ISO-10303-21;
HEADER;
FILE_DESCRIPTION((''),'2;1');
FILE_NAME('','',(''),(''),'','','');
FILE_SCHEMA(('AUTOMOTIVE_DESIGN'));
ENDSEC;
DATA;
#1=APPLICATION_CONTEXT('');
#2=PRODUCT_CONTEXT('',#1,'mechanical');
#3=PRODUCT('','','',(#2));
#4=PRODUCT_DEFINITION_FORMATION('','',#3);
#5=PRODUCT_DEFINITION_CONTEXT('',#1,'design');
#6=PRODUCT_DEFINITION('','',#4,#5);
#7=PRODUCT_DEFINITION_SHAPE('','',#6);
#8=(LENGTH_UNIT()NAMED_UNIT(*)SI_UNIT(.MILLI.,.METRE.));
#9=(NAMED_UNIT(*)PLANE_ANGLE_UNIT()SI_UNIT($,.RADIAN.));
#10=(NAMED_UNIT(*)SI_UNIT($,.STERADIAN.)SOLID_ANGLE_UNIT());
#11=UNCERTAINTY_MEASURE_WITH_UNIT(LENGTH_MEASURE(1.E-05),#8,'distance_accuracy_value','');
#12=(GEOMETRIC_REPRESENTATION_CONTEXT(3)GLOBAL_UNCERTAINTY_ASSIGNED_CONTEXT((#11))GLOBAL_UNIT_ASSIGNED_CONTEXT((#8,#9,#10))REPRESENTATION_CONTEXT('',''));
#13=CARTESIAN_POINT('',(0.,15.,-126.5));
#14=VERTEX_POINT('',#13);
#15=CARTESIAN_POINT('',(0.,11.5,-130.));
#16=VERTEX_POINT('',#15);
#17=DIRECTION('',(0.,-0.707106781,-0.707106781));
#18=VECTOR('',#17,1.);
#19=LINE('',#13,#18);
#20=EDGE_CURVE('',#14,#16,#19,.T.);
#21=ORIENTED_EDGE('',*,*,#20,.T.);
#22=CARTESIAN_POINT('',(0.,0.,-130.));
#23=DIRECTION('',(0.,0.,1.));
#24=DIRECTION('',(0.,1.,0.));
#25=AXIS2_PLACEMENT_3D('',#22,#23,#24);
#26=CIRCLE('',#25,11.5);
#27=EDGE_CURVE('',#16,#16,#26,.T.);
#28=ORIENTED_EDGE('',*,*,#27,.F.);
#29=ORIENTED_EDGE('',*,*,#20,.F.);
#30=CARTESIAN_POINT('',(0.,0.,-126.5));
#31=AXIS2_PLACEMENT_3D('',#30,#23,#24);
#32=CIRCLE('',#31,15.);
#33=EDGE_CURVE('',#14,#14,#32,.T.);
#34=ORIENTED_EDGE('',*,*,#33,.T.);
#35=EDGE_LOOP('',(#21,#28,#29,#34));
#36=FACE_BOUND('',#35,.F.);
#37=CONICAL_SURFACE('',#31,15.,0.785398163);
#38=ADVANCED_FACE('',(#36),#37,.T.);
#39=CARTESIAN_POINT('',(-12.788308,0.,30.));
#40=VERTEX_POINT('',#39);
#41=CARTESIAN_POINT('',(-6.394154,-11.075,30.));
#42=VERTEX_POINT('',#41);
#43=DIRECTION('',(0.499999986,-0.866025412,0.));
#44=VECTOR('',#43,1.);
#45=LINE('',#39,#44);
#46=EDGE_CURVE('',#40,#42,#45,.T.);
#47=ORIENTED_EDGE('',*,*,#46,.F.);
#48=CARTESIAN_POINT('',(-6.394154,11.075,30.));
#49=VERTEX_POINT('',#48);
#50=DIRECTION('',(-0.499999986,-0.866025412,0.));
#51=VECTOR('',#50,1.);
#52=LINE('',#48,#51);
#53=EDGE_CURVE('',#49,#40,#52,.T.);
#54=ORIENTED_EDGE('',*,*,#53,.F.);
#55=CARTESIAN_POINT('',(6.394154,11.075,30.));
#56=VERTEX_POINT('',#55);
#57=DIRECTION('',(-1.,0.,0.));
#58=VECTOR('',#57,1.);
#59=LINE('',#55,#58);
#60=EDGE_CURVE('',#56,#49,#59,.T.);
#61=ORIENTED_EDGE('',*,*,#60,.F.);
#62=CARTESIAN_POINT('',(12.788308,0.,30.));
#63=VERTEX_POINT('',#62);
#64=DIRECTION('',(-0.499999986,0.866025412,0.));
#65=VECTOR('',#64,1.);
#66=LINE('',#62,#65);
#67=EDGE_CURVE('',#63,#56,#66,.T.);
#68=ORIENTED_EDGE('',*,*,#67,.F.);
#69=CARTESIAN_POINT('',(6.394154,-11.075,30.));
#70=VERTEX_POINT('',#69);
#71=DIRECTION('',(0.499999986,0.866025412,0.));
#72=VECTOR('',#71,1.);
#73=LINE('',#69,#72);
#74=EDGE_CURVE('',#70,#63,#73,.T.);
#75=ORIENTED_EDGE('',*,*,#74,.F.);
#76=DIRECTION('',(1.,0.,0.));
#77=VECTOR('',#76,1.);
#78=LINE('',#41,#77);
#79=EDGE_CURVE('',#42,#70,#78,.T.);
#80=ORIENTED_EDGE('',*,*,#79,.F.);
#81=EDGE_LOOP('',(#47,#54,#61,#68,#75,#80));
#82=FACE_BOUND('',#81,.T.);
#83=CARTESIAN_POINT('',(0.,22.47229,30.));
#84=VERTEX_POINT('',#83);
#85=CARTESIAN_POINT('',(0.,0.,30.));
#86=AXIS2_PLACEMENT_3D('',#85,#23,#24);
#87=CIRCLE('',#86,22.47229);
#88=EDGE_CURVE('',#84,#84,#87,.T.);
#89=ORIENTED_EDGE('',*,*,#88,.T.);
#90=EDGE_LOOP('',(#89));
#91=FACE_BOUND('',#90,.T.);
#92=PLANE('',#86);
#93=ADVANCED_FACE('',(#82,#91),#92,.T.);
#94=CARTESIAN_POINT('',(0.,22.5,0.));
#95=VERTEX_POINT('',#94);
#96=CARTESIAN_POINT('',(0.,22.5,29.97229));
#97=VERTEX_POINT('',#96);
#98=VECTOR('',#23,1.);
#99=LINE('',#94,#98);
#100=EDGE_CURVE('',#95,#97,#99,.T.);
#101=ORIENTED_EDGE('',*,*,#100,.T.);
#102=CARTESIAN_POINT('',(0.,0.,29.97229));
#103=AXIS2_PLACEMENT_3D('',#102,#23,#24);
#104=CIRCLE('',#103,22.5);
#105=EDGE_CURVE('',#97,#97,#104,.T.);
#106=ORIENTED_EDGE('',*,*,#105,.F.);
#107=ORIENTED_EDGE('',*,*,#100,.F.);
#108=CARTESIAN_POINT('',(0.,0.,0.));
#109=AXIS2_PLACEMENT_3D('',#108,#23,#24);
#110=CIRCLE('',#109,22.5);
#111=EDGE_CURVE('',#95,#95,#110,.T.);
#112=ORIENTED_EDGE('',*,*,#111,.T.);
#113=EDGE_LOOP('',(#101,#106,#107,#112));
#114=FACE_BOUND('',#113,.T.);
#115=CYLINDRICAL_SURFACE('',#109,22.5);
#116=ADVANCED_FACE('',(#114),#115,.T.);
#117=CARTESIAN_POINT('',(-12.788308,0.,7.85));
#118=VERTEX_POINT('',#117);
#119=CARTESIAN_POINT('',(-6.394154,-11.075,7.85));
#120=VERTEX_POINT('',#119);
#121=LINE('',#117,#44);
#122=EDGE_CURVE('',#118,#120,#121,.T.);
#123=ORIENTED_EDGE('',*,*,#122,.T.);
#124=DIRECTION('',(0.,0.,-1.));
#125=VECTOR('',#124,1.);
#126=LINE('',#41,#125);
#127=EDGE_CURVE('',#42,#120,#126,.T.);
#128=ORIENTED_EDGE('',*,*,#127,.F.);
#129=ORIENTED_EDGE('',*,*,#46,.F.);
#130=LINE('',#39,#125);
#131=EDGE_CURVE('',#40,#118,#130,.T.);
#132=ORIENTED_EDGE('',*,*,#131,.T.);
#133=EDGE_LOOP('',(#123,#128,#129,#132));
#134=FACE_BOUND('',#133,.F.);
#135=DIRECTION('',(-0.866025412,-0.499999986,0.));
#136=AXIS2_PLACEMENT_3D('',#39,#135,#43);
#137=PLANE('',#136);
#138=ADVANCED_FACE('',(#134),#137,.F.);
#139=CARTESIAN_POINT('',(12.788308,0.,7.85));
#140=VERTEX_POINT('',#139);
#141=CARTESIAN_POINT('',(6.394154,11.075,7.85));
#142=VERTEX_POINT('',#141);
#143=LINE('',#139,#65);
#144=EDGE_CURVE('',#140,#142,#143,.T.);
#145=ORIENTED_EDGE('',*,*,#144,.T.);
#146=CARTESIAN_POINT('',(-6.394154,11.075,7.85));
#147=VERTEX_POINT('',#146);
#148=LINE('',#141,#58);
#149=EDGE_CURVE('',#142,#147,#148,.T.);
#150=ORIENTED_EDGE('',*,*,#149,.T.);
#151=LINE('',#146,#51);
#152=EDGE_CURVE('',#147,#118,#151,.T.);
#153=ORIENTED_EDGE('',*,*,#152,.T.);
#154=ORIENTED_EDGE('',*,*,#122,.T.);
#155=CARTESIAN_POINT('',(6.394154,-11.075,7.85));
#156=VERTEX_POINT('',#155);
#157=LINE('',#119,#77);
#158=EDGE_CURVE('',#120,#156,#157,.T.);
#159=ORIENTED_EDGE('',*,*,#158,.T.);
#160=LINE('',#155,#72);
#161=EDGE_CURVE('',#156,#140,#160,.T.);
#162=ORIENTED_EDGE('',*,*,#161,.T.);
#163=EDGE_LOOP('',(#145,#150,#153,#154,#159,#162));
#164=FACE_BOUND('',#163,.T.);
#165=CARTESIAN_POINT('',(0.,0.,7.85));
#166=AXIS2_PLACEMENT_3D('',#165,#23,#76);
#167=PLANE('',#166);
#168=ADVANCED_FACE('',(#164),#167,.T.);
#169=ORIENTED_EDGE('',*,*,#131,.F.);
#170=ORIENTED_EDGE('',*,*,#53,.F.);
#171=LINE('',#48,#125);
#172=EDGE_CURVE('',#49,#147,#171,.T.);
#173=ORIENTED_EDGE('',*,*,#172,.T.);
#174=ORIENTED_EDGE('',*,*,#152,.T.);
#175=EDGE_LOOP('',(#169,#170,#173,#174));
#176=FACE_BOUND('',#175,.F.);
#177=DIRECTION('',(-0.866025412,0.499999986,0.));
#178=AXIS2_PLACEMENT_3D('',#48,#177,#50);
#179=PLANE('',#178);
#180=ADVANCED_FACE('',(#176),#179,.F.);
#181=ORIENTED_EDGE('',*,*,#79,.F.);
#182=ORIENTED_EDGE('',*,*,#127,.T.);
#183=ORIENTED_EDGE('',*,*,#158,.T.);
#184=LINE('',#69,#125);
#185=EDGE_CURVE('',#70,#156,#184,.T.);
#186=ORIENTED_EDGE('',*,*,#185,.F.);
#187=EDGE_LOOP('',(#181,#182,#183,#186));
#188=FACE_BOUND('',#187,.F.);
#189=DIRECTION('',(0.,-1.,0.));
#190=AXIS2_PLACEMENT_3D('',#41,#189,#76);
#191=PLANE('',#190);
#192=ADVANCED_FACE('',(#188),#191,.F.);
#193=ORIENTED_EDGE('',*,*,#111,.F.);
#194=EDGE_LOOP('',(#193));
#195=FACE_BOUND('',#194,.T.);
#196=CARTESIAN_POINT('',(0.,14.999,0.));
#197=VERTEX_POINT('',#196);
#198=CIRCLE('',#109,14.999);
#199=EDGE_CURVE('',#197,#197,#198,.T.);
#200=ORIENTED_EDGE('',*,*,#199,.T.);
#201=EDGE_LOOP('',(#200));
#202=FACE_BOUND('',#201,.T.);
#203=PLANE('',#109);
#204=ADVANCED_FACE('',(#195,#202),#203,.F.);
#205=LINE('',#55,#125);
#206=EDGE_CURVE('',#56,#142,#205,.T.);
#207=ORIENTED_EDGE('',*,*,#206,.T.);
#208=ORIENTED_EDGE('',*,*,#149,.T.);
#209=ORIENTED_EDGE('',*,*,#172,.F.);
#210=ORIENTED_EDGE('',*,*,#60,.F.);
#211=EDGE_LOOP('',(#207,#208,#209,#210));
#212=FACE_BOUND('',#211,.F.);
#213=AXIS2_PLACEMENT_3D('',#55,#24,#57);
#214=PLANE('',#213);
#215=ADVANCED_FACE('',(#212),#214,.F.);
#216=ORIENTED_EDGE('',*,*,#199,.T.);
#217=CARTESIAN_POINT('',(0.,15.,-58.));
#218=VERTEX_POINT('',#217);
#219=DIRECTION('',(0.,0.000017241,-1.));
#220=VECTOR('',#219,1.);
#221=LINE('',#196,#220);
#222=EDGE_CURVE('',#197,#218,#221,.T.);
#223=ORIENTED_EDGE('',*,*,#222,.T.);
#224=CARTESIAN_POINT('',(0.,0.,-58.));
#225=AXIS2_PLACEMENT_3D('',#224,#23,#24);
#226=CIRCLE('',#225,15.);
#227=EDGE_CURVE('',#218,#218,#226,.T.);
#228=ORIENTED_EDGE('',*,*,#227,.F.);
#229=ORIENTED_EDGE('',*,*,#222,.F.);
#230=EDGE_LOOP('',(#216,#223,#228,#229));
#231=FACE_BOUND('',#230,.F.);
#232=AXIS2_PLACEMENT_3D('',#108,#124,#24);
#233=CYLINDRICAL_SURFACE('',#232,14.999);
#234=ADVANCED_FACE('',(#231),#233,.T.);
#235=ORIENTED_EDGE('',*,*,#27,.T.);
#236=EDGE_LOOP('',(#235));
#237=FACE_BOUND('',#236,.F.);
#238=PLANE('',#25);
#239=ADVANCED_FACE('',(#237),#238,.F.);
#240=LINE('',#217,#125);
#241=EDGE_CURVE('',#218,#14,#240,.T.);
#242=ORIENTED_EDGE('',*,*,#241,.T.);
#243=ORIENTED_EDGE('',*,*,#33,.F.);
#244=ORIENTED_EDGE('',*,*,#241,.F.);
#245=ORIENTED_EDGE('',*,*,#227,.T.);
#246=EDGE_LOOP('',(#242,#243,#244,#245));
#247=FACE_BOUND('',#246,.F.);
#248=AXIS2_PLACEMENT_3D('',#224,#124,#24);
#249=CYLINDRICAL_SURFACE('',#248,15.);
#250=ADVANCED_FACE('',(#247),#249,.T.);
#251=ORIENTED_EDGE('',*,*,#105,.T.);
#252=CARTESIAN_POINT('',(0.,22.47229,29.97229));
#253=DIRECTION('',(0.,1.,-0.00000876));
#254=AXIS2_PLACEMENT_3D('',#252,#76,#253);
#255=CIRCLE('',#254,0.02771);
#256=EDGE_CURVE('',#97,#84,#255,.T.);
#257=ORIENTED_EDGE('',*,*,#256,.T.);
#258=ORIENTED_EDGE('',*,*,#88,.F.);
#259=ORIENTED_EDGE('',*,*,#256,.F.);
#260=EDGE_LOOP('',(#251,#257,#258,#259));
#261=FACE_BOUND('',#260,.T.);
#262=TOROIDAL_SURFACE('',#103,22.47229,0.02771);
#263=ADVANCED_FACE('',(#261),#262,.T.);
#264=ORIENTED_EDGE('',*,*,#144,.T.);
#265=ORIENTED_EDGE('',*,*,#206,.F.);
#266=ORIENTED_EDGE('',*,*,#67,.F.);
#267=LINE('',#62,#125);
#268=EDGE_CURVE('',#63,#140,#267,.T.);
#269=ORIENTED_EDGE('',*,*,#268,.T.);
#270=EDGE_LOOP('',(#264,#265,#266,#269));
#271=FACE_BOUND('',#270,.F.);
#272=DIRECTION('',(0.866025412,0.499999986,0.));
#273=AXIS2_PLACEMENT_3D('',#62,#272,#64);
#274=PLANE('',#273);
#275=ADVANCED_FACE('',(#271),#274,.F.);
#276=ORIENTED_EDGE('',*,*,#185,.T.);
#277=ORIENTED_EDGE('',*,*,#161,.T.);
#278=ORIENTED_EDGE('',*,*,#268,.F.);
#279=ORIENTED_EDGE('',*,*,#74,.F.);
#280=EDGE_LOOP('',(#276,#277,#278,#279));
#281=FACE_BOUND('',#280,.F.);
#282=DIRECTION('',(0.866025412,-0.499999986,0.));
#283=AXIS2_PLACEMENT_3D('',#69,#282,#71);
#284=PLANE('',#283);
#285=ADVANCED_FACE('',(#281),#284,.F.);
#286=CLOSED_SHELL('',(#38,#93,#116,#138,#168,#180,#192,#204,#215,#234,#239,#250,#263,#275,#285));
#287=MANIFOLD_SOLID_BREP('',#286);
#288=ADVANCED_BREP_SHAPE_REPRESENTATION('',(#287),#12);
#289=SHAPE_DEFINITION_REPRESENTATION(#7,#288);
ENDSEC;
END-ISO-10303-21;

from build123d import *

# Parameters (mm, degrees)
POCKET_DEPTH = 22.15


with BuildPart() as part:
    # Sketch → Revolve (revolve)
    with BuildSketch(Plane.YZ):
        with BuildLine():
            Line((14.999, 0), (22.5, 0))
            Line((22.5, 0), (22.5, 29.97229))
            ThreePointArc((22.5, 29.97229), (22.491884, 29.991884), (22.47229, 30))
            Line((22.47229, 30), (0, 30))
            Line((0, -130), (0, 30))
            Line((11.5, -130), (0, -130))
            Line((15, -126.5), (11.5, -130))
            Line((15, -58), (15, -126.5))
            Line((14.999, 0), (15, -58))
        make_face()
    revolve(axis=Axis((0, 0, 0), (0, 0, 1)))

    # Sketch001 → Pocket (cut)
    with BuildSketch(Plane.XY.offset(30)):
        Polygon((12.788308, 0), (6.394154, 11.075), (-6.394154, 11.075), (-12.788308, 0), (-6.394154, -11.075), (6.394154, -11.075), align=None)
    extrude(amount=-POCKET_DEPTH, mode=Mode.SUBTRACT)


solid = part.part
